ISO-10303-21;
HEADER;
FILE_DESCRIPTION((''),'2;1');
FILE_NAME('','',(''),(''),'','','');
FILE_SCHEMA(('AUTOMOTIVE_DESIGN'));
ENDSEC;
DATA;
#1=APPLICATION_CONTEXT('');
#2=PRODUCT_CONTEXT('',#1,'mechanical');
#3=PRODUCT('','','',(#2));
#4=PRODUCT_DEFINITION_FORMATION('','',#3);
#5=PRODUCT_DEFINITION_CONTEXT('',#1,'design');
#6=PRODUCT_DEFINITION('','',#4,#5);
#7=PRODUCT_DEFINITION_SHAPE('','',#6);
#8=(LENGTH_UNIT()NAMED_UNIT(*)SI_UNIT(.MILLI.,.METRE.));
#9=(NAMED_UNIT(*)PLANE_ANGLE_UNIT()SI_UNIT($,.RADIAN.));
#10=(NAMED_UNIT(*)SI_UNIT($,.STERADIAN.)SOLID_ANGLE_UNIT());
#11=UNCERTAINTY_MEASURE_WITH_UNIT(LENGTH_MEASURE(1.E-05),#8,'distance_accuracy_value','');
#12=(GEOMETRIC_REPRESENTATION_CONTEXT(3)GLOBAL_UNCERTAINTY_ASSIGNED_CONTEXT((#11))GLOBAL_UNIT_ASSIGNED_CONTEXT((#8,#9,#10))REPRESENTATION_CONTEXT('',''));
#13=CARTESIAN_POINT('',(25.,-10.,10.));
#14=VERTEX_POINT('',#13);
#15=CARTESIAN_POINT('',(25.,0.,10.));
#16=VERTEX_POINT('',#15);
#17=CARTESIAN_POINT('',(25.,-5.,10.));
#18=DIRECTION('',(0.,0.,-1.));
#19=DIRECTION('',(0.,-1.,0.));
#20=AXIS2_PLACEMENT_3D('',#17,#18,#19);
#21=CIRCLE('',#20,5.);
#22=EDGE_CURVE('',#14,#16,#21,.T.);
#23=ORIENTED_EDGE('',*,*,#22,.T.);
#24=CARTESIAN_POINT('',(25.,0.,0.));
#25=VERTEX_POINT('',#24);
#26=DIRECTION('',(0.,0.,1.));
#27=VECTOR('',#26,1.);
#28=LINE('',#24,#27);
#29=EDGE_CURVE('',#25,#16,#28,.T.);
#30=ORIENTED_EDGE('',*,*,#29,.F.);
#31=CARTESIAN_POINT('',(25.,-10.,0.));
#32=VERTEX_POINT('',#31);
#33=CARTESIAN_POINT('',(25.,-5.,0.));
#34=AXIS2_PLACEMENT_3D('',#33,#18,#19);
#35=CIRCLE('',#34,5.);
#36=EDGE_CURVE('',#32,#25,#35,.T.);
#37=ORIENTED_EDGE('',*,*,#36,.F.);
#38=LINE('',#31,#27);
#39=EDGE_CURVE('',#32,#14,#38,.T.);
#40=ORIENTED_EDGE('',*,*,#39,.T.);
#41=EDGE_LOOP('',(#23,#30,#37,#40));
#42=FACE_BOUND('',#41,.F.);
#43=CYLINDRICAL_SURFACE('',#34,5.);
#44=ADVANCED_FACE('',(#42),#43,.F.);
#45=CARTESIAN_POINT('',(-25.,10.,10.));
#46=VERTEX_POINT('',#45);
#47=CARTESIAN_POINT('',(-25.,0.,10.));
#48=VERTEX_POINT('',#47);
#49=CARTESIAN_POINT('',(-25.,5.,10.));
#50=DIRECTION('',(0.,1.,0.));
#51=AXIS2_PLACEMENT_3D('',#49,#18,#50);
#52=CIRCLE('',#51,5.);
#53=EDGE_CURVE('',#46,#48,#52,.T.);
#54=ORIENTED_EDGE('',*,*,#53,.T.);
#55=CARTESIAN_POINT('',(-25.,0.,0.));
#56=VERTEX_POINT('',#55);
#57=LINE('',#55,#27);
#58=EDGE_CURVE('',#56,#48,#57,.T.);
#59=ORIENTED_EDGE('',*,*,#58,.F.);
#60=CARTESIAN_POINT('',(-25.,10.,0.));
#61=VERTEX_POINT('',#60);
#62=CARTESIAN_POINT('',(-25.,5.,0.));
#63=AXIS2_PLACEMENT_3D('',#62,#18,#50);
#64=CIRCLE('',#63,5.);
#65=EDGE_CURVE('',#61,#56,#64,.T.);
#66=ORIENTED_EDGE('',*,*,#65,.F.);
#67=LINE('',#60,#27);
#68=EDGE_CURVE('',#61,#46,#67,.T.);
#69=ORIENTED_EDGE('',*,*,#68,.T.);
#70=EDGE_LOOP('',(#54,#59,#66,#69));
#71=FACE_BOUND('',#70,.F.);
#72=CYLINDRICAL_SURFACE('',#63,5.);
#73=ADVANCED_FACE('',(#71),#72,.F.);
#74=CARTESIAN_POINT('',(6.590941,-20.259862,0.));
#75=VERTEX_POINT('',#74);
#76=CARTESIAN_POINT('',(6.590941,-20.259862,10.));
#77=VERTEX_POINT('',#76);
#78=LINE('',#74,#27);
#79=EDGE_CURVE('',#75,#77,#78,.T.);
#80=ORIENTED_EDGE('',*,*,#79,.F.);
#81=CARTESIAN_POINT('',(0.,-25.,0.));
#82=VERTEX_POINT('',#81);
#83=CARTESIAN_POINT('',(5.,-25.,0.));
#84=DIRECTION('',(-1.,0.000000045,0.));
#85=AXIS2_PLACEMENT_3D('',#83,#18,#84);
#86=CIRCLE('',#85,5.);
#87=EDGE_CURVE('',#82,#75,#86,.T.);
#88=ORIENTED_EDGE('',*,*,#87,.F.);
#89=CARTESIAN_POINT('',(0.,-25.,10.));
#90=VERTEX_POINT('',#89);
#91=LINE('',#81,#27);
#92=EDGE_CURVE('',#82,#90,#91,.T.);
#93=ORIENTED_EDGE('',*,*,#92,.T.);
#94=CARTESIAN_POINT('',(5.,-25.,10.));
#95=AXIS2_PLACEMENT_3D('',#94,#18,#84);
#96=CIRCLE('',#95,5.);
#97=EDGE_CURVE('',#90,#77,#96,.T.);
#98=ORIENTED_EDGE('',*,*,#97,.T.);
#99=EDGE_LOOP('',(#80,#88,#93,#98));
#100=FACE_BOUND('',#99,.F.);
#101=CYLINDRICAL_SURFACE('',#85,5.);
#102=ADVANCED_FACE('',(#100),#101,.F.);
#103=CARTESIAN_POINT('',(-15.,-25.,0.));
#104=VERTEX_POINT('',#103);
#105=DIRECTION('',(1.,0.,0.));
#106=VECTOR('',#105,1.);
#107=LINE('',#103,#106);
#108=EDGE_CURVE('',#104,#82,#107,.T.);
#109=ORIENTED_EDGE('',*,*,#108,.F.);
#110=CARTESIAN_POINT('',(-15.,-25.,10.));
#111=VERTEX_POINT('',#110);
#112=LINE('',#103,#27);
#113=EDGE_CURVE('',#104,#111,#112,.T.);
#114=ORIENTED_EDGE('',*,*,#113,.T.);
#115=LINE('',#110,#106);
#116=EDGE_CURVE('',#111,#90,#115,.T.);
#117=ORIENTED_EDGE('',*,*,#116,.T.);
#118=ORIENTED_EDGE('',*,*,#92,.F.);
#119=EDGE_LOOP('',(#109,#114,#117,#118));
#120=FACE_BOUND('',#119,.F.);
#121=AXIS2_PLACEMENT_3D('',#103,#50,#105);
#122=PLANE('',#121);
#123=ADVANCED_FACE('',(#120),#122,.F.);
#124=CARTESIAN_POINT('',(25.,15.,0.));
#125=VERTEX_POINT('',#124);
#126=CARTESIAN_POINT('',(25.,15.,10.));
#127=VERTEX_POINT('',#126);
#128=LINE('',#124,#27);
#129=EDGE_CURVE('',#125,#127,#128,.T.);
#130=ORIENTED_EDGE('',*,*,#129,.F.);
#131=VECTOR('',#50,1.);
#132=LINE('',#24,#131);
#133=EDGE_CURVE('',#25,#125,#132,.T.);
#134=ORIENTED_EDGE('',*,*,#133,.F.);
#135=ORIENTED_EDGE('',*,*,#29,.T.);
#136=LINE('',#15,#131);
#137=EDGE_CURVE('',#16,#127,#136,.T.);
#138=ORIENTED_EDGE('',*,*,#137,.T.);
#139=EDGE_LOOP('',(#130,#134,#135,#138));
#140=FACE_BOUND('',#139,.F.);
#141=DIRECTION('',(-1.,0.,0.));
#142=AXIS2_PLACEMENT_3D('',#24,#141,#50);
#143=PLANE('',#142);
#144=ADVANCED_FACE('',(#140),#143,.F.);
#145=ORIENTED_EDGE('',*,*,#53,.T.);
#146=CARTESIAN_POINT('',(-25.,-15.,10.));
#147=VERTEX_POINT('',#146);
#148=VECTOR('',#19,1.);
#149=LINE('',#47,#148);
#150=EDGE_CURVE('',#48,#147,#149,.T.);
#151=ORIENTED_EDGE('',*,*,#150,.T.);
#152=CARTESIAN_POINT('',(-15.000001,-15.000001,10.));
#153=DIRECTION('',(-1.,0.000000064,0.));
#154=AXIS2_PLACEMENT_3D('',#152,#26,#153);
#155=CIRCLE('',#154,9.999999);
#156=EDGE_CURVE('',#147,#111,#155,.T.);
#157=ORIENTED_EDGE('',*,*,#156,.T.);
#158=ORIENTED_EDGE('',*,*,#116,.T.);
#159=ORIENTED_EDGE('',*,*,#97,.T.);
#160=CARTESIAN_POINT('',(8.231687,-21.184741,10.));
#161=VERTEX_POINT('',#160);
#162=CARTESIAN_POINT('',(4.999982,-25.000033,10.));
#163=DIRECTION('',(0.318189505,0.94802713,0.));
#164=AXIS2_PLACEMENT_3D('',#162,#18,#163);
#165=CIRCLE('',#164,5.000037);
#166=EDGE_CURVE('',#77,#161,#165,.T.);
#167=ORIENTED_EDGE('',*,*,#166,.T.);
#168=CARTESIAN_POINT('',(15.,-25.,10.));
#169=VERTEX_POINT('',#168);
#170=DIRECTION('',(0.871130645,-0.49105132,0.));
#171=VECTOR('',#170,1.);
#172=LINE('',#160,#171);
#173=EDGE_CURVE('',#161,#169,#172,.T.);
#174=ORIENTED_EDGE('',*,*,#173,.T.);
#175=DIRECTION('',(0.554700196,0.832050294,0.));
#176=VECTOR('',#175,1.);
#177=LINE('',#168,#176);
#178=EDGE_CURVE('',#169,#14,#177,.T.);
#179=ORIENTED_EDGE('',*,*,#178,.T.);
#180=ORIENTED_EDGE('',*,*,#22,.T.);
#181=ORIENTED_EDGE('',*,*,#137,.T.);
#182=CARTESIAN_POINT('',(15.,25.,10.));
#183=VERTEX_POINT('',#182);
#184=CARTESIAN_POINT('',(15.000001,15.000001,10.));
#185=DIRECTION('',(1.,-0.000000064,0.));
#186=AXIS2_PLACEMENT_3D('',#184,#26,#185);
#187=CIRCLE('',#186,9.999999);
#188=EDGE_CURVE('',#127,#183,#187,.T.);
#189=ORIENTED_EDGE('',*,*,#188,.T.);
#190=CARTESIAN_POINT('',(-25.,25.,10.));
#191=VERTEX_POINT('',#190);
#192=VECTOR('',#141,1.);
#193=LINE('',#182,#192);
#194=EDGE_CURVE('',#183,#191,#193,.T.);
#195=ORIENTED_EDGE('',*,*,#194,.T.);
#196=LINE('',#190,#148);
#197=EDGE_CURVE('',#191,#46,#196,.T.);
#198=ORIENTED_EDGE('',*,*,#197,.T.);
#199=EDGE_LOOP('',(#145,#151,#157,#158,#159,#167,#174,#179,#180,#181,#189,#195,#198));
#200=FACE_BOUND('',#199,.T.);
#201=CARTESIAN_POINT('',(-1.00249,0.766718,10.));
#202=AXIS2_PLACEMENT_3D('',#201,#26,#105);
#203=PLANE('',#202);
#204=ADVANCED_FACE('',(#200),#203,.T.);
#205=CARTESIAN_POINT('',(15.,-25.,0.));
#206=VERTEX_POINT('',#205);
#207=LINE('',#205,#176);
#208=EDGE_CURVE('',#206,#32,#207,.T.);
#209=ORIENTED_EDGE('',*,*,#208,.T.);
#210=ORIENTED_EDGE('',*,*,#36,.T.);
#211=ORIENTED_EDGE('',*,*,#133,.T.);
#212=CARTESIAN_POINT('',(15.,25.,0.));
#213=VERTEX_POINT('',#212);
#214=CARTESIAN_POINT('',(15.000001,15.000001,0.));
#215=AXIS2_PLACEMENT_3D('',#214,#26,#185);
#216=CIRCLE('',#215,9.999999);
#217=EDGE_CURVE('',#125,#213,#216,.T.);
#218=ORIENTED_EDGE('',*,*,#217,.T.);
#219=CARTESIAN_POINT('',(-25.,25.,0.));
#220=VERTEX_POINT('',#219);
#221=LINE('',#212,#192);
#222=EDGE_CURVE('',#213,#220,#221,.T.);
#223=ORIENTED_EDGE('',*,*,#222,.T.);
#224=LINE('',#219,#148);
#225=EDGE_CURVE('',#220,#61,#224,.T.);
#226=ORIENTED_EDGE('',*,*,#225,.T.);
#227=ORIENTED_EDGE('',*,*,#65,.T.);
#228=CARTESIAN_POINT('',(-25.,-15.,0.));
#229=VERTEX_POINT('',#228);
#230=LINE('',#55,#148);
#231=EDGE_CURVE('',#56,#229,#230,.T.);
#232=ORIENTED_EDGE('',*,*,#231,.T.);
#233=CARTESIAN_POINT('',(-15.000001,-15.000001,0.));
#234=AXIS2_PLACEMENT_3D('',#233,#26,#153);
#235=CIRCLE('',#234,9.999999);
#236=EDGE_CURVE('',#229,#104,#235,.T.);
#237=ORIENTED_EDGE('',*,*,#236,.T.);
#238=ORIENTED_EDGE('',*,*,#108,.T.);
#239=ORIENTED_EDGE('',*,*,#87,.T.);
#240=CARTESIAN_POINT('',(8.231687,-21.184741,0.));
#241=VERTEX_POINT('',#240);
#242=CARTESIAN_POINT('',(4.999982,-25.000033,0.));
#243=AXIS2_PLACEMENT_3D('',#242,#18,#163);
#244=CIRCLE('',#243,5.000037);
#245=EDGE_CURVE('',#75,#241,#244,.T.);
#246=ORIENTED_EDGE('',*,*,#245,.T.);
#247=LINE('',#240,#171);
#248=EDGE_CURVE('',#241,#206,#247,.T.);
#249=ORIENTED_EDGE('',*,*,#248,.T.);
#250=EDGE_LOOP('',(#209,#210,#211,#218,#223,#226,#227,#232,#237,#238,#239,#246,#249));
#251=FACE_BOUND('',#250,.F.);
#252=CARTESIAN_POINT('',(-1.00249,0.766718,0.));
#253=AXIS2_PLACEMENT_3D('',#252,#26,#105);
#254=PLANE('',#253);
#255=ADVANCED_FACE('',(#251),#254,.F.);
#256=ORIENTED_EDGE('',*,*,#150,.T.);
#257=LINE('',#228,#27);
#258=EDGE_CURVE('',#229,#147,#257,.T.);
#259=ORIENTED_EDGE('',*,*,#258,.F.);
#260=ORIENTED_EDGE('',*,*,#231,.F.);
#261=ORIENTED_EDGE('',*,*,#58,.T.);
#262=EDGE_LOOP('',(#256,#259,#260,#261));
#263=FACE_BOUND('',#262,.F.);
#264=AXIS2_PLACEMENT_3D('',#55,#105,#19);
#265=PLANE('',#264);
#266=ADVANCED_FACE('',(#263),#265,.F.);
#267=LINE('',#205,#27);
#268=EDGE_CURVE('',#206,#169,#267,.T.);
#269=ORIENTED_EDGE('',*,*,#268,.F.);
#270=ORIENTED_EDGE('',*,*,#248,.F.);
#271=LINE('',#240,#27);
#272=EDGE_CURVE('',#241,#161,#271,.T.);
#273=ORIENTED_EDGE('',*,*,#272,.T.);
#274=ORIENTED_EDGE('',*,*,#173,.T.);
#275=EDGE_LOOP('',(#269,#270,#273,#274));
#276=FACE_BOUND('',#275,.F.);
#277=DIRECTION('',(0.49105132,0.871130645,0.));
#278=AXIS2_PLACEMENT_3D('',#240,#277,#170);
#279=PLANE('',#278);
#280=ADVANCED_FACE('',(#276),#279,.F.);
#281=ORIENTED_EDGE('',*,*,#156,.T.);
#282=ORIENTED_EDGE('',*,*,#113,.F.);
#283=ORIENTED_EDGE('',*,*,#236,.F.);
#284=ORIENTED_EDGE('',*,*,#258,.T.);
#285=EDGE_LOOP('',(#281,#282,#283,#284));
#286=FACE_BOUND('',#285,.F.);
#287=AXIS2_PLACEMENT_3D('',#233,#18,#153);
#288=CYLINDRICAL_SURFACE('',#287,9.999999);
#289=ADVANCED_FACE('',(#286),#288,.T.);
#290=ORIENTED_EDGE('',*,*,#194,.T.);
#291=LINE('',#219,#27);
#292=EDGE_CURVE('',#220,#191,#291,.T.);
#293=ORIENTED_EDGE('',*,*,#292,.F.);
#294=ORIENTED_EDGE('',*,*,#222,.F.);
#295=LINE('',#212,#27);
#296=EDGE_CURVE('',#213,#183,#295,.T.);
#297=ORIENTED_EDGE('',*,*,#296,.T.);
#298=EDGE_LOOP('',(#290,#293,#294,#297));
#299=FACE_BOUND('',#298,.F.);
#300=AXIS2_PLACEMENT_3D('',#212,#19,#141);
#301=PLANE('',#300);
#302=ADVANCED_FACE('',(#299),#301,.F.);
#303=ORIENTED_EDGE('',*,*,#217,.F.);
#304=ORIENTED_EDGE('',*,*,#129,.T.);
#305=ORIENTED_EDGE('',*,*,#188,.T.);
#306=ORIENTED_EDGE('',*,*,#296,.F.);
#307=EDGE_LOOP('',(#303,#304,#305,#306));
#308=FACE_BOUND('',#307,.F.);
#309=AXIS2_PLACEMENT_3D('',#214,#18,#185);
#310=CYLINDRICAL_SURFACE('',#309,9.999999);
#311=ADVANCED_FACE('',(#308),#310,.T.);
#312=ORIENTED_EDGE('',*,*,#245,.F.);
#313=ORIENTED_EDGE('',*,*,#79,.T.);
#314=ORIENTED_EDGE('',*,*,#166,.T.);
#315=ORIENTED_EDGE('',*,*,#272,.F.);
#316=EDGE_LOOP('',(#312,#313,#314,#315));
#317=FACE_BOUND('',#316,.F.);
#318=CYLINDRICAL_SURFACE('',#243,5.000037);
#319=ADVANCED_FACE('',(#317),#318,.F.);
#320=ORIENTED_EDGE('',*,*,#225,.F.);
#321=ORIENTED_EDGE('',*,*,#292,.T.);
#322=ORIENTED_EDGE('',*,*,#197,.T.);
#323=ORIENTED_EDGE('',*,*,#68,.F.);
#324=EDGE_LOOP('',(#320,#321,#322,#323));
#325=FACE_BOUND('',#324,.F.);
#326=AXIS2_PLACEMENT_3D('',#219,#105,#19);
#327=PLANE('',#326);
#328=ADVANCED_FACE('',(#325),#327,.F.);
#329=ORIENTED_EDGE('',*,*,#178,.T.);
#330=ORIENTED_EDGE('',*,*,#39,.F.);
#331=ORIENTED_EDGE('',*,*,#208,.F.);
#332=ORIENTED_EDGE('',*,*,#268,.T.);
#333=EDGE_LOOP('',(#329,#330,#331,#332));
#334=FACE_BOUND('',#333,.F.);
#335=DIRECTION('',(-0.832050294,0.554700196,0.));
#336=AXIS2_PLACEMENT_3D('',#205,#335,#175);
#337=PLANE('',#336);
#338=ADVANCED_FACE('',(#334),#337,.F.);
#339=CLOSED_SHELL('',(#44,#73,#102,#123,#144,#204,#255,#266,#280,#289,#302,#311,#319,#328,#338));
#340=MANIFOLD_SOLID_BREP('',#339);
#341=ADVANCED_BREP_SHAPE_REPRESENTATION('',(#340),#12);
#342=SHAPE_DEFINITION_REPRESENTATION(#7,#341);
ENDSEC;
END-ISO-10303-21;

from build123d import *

# Parameters (mm, degrees)
F1_DEPTH = 10


with BuildPart() as f1:
    # F0 (on Top) → F1 (new body)
    with BuildSketch(Plane.XY):
        with BuildLine():
            ThreePointArc((25, 15), (22.071068, 22.071068), (15, 25))
            Line((15, 25), (-25, 25))
            Line((-25, 25), (-25, 10))
            ThreePointArc((-25, 10), (-20, 5), (-25, 0))
            Line((-25, 0), (-25, -15))
            ThreePointArc((-25, -15), (-22.071068, -22.071068), (-15, -25))
            Line((-15, -25), (0, -25))
            ThreePointArc((0, -25), (2.080642, -20.94077), (6.590941, -20.259862))
            ThreePointArc((6.590941, -20.259862), (7.455256, -20.644347), (8.231687, -21.184741))
            Line((8.231687, -21.184741), (15, -25))
            Line((15, -25), (25, -10))
            ThreePointArc((25, -10), (20, -5), (25, 0))
            Line((25, 0), (25, 15))
        make_face()
    extrude(amount=F1_DEPTH)


solid = f1.part
